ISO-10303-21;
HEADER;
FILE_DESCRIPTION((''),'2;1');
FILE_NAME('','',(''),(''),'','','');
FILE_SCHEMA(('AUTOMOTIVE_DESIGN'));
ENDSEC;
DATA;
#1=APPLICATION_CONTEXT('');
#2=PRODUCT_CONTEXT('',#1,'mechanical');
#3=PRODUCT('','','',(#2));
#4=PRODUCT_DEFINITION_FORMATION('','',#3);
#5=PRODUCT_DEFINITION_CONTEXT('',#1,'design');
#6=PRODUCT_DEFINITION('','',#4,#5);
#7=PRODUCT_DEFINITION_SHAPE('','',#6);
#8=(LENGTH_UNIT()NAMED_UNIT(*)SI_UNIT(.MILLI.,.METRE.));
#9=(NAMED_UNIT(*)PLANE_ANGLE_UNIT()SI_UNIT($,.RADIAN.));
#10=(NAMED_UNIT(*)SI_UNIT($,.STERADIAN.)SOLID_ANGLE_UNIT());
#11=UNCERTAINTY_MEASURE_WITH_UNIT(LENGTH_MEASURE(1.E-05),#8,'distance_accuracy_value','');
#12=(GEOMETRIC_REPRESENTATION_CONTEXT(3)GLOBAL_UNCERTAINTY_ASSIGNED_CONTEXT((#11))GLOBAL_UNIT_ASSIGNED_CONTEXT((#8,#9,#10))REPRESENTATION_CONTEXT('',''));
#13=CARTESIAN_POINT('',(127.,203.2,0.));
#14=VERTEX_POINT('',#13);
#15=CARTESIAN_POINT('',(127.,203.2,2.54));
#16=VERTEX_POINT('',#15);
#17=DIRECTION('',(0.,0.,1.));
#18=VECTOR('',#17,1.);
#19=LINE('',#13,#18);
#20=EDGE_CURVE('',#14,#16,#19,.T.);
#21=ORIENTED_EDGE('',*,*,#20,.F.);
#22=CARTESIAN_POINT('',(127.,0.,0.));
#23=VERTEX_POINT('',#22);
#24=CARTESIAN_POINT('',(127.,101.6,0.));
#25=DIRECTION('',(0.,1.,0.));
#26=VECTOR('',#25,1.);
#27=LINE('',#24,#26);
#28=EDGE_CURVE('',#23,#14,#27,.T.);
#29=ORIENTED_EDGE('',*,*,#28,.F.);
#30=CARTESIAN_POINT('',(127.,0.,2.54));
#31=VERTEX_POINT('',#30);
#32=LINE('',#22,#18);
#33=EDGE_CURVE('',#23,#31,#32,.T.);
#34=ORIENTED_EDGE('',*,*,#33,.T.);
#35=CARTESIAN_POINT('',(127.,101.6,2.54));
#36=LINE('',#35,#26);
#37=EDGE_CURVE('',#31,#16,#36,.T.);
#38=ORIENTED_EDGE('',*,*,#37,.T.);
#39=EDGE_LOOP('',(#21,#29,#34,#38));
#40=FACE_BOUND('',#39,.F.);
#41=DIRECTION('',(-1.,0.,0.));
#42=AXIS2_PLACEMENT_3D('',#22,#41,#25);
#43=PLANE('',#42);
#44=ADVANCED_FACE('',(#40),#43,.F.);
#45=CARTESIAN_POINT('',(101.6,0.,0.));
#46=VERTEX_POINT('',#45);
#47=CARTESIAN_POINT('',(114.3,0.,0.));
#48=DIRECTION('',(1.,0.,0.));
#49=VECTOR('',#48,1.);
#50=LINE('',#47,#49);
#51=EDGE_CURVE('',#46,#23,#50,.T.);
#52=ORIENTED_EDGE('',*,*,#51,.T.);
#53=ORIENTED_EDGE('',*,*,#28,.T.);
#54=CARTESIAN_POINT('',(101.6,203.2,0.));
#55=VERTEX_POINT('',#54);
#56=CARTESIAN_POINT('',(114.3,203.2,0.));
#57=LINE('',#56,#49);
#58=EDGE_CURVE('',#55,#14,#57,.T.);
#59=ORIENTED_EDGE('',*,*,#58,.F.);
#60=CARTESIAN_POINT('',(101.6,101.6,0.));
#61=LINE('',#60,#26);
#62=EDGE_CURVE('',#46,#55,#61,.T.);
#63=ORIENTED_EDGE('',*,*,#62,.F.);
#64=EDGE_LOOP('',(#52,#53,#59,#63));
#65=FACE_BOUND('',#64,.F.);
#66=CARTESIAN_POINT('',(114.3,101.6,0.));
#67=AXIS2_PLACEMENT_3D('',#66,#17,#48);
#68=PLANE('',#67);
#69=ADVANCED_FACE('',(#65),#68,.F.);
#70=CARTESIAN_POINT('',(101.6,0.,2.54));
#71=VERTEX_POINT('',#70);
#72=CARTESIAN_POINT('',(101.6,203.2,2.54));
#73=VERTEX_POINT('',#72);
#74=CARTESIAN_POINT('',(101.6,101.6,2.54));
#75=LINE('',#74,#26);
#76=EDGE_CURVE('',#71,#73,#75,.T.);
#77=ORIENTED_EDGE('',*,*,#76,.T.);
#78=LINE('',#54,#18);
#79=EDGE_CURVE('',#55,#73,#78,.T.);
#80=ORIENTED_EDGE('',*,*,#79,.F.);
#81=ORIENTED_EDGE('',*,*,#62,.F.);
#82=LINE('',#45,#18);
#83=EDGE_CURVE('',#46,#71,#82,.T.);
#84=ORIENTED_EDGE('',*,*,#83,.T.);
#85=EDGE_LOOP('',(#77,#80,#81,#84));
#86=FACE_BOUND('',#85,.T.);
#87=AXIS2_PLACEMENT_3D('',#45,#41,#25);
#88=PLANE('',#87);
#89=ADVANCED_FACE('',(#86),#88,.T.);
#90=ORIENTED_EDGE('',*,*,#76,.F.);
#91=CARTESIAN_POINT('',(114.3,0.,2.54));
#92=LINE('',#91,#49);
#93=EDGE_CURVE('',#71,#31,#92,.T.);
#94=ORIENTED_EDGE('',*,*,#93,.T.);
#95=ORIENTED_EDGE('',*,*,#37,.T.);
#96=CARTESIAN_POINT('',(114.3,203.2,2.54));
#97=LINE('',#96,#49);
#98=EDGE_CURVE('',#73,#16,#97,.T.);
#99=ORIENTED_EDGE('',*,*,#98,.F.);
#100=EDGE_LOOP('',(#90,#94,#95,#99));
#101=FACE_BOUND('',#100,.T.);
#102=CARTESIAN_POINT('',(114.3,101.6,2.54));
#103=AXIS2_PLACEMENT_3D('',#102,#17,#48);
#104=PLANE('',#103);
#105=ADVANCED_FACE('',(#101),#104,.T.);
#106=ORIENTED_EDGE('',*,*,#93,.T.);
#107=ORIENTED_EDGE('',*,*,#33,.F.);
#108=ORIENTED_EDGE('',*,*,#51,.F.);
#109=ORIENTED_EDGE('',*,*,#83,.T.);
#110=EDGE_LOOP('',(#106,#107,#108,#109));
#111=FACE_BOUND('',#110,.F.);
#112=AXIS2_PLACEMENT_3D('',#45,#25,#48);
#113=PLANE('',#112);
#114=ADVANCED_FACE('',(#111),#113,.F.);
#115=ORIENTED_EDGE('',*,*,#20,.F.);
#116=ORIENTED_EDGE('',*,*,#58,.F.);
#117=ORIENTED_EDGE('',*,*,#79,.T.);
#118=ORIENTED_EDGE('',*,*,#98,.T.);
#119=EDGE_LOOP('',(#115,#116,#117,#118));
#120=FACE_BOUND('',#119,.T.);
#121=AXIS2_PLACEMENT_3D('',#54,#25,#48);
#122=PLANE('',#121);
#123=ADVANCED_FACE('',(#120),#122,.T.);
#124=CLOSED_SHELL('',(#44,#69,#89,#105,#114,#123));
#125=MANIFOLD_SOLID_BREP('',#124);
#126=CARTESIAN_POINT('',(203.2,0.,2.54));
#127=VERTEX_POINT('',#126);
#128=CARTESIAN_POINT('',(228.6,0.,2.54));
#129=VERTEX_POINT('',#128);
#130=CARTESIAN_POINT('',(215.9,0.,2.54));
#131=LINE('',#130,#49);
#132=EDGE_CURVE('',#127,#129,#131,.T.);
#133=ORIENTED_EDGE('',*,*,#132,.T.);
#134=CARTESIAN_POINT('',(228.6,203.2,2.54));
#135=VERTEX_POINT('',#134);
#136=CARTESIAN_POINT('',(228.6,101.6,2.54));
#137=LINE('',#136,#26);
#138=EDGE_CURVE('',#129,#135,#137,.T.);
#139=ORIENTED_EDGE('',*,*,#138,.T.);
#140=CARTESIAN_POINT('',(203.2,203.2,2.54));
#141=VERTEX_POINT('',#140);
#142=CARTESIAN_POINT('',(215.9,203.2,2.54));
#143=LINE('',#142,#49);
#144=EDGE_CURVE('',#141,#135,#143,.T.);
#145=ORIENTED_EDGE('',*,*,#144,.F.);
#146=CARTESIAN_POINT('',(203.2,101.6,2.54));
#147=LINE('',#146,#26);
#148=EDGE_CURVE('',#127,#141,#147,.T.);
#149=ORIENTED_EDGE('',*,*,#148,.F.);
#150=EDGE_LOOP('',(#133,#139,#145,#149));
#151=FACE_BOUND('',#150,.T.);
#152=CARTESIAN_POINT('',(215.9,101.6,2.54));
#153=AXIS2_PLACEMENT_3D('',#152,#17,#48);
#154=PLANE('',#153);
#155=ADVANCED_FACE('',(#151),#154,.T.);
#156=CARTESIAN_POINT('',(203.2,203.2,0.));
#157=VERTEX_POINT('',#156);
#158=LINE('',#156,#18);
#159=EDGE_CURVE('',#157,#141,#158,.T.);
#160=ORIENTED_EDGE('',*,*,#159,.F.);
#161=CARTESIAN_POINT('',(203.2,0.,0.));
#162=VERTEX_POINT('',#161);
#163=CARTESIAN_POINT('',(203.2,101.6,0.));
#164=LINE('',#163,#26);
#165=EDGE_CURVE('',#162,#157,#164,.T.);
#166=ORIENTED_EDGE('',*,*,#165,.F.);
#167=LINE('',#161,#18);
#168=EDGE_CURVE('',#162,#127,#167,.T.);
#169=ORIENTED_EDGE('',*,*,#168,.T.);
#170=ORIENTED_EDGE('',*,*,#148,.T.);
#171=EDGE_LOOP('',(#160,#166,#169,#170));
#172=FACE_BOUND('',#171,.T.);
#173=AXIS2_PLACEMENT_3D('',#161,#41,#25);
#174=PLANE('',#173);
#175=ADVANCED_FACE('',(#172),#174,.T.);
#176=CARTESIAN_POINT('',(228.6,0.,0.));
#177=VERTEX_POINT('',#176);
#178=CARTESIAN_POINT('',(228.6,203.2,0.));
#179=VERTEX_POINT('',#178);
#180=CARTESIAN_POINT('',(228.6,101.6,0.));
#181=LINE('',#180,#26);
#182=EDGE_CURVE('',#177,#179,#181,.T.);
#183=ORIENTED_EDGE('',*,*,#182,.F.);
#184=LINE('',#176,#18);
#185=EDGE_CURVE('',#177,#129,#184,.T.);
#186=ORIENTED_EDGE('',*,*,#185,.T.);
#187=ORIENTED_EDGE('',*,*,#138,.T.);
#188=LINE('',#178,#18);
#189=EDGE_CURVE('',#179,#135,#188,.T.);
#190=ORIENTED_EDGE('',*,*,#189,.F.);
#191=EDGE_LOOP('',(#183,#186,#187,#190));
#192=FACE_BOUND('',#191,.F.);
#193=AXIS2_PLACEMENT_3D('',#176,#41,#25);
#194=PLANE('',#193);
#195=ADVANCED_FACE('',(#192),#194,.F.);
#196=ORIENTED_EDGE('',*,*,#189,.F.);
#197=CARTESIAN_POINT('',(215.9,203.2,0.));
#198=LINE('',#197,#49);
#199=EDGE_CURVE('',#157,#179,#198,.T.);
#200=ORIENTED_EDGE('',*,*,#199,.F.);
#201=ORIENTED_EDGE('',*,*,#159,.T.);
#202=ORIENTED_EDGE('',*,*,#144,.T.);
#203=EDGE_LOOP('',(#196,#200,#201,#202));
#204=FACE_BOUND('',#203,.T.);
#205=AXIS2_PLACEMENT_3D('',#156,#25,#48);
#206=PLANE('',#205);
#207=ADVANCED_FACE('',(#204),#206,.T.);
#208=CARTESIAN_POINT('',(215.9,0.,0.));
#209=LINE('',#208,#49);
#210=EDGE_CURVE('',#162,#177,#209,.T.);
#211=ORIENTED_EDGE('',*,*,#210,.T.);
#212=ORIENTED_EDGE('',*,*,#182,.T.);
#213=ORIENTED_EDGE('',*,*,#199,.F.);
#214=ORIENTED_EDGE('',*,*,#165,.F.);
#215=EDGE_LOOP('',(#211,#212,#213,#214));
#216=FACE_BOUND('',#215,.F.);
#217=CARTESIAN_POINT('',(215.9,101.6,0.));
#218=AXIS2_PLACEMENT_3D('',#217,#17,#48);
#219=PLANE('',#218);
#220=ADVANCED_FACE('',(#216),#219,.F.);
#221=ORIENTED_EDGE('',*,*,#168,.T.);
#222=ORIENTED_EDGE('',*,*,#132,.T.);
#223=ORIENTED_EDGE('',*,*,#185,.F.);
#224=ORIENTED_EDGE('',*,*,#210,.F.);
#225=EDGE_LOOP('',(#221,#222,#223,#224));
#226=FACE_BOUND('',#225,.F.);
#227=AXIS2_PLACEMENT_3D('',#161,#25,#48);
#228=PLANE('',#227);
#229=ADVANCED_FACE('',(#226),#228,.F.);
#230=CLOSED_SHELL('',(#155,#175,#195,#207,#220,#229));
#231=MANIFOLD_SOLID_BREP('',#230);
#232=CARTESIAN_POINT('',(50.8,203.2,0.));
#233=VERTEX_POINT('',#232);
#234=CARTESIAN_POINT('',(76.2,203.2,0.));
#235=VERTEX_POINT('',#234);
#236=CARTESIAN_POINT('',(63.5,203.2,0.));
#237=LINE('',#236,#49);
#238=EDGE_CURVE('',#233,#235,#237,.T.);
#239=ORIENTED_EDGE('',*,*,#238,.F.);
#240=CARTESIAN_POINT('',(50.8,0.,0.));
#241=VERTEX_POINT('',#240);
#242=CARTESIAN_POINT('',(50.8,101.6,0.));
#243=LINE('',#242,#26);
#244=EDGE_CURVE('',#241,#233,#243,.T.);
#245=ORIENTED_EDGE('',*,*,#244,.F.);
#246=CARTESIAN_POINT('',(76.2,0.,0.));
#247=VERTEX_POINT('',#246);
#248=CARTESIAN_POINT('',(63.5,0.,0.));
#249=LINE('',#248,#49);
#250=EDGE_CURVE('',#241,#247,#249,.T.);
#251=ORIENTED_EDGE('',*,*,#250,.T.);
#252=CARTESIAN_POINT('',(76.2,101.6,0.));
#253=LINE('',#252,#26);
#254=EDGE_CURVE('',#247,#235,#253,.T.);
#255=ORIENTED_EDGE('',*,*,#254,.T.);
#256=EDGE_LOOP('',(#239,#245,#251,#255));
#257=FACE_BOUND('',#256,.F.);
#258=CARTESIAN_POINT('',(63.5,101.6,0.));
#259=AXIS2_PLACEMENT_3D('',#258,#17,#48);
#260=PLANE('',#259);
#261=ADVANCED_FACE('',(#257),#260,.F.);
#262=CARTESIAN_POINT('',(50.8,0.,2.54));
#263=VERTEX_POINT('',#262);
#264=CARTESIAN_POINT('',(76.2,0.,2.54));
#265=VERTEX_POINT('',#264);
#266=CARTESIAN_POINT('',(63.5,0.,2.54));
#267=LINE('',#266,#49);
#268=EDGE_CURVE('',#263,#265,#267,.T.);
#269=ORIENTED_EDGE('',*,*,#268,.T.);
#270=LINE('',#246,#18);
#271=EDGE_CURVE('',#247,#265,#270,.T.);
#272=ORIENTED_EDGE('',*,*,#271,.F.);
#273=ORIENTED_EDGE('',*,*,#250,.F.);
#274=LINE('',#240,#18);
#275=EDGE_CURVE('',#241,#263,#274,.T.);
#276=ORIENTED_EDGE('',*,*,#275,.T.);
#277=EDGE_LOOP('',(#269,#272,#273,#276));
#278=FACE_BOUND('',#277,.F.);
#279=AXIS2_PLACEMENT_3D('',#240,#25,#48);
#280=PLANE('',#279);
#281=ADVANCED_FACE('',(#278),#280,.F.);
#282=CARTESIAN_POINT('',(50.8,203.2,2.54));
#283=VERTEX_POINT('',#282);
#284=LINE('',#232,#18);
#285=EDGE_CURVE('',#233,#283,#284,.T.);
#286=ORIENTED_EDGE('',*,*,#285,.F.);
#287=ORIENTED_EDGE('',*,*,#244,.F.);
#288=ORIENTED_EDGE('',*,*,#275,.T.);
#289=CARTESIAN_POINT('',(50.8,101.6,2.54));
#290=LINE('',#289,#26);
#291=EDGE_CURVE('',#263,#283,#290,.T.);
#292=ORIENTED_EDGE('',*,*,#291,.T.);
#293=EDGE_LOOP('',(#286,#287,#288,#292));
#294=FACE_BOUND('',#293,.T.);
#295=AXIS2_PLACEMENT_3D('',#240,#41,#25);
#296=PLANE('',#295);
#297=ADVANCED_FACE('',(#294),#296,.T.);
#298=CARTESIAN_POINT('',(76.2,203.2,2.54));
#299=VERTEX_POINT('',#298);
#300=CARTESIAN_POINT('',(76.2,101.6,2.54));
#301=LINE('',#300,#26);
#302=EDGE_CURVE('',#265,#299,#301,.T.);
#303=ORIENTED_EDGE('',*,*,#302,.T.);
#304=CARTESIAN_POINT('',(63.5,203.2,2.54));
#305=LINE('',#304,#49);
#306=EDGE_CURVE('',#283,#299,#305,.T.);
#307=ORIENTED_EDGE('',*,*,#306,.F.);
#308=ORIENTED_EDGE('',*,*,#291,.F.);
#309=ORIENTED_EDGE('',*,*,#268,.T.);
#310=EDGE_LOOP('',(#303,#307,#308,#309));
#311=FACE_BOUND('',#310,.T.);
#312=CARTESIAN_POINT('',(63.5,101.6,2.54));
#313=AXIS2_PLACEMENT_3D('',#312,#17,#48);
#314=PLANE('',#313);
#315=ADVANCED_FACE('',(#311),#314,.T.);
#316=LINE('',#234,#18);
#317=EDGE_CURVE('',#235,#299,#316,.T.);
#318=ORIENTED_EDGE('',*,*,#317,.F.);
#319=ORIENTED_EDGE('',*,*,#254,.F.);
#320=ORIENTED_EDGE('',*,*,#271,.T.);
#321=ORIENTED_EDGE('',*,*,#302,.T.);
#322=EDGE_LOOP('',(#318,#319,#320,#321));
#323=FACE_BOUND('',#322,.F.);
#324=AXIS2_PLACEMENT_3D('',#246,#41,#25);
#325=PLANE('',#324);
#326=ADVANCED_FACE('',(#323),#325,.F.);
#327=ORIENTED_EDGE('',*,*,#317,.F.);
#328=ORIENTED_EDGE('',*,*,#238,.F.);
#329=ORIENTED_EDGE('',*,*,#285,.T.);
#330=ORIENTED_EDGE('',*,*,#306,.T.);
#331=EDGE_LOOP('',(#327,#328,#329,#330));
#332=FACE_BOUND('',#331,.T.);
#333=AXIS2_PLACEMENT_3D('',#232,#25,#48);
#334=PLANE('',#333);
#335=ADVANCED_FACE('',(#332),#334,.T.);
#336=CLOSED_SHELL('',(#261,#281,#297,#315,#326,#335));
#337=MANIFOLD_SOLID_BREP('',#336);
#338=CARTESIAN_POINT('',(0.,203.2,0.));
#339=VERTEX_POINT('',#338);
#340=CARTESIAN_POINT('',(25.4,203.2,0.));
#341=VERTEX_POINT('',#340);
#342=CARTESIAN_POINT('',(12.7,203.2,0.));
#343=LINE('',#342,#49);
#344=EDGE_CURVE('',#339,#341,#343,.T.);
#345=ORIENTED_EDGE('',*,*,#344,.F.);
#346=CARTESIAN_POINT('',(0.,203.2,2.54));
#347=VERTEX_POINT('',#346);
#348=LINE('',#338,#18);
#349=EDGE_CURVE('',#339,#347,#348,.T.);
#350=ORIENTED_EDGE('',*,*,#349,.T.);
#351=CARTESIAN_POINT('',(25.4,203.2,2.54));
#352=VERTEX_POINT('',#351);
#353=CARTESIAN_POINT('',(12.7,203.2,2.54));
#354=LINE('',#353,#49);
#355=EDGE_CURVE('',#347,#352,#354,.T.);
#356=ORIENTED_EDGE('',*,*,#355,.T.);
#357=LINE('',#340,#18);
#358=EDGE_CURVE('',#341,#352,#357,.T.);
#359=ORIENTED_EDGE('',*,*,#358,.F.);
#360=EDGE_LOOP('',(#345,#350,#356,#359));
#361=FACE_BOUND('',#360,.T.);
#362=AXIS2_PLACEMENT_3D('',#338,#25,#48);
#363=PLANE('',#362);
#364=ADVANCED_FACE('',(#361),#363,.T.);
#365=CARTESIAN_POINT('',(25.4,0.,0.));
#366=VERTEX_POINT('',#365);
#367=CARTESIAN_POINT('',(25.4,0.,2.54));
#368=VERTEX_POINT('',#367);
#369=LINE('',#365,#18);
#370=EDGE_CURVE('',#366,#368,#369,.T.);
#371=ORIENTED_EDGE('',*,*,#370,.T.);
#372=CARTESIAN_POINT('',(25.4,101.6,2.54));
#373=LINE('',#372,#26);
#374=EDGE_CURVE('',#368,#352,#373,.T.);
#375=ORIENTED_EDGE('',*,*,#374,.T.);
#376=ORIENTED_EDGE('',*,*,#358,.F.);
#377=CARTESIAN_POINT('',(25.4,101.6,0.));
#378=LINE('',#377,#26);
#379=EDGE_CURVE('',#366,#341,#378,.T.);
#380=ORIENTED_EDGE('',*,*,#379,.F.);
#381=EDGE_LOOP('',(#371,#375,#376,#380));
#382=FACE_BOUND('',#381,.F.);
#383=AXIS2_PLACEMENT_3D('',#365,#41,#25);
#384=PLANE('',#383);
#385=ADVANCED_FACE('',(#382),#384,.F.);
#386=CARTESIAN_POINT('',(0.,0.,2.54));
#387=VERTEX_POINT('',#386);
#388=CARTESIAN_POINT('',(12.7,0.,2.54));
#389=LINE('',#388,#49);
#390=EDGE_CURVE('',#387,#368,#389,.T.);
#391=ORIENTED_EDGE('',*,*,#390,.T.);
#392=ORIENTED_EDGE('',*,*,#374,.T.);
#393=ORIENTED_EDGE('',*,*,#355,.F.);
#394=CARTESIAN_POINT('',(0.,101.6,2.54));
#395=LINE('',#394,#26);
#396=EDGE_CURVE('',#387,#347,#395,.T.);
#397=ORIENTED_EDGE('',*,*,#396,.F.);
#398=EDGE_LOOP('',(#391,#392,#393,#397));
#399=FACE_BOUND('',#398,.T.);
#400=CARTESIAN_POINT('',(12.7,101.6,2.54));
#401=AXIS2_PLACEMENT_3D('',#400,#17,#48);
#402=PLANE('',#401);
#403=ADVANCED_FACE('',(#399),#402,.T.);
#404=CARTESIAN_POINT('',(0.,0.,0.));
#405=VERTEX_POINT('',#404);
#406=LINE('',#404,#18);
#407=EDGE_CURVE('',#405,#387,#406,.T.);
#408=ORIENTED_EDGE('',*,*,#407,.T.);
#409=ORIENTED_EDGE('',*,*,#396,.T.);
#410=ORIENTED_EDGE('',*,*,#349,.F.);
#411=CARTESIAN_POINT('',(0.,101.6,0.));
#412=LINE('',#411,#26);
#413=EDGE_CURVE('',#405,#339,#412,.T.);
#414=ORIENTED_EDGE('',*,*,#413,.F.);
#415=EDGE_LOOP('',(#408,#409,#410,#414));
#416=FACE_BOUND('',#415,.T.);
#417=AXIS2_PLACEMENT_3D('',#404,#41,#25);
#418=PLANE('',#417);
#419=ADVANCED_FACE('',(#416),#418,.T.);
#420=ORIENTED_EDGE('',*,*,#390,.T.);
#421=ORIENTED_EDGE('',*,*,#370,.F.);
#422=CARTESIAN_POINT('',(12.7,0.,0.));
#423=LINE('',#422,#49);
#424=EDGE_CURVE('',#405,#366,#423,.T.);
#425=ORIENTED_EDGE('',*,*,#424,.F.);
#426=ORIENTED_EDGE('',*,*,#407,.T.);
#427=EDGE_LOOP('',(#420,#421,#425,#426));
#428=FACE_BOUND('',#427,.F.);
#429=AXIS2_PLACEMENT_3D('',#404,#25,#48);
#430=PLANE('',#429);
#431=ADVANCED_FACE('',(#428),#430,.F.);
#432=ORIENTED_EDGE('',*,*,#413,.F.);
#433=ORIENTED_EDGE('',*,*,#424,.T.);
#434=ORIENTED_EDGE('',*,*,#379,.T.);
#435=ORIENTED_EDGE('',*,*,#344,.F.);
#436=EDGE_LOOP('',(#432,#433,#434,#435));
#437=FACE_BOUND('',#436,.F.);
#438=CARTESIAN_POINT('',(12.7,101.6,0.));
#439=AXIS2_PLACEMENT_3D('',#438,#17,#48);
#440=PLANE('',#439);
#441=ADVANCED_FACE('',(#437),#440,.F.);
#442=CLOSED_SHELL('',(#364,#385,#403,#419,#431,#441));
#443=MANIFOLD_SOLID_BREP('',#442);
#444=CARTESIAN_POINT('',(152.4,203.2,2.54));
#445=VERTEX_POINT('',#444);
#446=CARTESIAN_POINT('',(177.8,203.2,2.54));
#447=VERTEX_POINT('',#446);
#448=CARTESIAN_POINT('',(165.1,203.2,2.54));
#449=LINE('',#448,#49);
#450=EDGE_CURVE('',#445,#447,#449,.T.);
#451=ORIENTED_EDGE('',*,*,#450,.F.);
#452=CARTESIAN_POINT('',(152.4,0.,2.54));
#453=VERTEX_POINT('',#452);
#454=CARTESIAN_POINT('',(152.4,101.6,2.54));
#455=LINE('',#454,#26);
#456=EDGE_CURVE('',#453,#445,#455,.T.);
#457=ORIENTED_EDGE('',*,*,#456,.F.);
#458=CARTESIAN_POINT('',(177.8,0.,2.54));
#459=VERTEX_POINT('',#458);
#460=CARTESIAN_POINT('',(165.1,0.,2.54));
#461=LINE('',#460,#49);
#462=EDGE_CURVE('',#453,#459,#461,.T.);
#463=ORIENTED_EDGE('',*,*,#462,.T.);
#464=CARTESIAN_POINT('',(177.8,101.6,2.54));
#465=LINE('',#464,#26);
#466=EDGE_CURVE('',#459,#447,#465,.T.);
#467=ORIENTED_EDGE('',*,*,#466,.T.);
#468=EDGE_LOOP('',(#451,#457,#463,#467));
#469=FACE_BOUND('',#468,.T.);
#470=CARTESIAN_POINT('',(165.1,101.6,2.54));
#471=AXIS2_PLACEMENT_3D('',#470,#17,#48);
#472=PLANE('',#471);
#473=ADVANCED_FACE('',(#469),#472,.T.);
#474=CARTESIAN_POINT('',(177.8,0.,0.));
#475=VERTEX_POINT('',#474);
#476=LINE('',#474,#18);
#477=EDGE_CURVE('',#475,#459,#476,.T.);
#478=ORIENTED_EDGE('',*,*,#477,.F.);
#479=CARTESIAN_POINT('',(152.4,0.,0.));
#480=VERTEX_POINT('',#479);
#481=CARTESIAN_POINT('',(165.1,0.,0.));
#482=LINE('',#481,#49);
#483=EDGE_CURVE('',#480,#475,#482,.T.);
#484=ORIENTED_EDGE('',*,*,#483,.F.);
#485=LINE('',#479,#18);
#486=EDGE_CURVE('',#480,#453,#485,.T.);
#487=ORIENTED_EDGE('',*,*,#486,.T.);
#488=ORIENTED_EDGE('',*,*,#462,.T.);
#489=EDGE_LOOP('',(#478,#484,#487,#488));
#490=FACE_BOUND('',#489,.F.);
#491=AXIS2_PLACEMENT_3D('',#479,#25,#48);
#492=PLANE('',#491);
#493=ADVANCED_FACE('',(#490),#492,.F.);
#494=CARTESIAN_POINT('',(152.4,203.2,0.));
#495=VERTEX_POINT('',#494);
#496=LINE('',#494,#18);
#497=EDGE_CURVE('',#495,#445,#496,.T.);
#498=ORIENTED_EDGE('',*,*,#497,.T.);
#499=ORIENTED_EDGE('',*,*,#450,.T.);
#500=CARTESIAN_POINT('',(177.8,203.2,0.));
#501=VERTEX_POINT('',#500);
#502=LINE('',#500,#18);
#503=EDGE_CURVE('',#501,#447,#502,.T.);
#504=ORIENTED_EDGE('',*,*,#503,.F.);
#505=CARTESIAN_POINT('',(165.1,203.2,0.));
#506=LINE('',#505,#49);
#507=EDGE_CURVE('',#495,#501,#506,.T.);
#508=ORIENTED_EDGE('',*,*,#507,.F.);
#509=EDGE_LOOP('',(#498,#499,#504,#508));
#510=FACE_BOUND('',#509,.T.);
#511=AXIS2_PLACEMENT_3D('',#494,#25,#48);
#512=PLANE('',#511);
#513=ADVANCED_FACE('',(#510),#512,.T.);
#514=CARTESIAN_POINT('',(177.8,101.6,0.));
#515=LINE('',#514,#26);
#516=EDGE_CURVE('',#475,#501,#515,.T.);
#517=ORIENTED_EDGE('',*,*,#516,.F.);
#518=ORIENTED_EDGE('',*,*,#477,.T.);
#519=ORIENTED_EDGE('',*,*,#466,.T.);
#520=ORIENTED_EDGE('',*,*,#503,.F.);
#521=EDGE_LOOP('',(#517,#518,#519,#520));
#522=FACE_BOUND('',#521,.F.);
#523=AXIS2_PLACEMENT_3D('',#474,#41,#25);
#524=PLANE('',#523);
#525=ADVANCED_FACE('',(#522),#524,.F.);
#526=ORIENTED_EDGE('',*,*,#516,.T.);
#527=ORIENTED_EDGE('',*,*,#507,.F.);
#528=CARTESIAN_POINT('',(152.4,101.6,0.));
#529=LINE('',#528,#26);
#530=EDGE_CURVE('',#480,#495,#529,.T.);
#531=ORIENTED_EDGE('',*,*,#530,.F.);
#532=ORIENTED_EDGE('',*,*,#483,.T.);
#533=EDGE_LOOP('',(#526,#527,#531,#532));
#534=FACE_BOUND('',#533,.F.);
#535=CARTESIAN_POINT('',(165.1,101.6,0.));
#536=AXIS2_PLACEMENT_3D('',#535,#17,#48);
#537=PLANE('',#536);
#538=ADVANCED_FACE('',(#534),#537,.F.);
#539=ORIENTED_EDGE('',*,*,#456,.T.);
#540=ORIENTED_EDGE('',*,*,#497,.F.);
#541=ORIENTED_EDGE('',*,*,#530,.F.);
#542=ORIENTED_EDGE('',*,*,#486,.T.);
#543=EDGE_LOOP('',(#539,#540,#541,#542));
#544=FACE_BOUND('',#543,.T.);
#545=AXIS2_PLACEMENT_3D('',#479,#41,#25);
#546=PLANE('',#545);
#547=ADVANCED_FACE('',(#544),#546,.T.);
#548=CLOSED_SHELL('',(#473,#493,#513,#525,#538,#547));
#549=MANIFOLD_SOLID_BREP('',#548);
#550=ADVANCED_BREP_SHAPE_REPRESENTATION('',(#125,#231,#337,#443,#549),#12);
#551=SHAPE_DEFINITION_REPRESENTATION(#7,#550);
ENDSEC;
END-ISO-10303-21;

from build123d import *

# Parameters (mm, degrees)
F0_W     = 25.4
F0_H     = 203.2
F1_DEPTH = 2.54


with BuildPart() as f1:
    # F0 (on Top) → F1 (new body)
    with BuildSketch(Plane.XY):
        with Locations((12.7, 101.6)):
            Rectangle(F0_W, F0_H)
        with Locations((63.5, 101.6)):
            Rectangle(F0_W, F0_H)
        with Locations((114.3, 101.6)):
            Rectangle(F0_W, F0_H)
        with Locations((165.1, 101.6)):
            Rectangle(F0_W, F0_H)
        with Locations((215.9, 101.6)):
            Rectangle(F0_W, F0_H)
    extrude(amount=F1_DEPTH)


solid = f1.part
